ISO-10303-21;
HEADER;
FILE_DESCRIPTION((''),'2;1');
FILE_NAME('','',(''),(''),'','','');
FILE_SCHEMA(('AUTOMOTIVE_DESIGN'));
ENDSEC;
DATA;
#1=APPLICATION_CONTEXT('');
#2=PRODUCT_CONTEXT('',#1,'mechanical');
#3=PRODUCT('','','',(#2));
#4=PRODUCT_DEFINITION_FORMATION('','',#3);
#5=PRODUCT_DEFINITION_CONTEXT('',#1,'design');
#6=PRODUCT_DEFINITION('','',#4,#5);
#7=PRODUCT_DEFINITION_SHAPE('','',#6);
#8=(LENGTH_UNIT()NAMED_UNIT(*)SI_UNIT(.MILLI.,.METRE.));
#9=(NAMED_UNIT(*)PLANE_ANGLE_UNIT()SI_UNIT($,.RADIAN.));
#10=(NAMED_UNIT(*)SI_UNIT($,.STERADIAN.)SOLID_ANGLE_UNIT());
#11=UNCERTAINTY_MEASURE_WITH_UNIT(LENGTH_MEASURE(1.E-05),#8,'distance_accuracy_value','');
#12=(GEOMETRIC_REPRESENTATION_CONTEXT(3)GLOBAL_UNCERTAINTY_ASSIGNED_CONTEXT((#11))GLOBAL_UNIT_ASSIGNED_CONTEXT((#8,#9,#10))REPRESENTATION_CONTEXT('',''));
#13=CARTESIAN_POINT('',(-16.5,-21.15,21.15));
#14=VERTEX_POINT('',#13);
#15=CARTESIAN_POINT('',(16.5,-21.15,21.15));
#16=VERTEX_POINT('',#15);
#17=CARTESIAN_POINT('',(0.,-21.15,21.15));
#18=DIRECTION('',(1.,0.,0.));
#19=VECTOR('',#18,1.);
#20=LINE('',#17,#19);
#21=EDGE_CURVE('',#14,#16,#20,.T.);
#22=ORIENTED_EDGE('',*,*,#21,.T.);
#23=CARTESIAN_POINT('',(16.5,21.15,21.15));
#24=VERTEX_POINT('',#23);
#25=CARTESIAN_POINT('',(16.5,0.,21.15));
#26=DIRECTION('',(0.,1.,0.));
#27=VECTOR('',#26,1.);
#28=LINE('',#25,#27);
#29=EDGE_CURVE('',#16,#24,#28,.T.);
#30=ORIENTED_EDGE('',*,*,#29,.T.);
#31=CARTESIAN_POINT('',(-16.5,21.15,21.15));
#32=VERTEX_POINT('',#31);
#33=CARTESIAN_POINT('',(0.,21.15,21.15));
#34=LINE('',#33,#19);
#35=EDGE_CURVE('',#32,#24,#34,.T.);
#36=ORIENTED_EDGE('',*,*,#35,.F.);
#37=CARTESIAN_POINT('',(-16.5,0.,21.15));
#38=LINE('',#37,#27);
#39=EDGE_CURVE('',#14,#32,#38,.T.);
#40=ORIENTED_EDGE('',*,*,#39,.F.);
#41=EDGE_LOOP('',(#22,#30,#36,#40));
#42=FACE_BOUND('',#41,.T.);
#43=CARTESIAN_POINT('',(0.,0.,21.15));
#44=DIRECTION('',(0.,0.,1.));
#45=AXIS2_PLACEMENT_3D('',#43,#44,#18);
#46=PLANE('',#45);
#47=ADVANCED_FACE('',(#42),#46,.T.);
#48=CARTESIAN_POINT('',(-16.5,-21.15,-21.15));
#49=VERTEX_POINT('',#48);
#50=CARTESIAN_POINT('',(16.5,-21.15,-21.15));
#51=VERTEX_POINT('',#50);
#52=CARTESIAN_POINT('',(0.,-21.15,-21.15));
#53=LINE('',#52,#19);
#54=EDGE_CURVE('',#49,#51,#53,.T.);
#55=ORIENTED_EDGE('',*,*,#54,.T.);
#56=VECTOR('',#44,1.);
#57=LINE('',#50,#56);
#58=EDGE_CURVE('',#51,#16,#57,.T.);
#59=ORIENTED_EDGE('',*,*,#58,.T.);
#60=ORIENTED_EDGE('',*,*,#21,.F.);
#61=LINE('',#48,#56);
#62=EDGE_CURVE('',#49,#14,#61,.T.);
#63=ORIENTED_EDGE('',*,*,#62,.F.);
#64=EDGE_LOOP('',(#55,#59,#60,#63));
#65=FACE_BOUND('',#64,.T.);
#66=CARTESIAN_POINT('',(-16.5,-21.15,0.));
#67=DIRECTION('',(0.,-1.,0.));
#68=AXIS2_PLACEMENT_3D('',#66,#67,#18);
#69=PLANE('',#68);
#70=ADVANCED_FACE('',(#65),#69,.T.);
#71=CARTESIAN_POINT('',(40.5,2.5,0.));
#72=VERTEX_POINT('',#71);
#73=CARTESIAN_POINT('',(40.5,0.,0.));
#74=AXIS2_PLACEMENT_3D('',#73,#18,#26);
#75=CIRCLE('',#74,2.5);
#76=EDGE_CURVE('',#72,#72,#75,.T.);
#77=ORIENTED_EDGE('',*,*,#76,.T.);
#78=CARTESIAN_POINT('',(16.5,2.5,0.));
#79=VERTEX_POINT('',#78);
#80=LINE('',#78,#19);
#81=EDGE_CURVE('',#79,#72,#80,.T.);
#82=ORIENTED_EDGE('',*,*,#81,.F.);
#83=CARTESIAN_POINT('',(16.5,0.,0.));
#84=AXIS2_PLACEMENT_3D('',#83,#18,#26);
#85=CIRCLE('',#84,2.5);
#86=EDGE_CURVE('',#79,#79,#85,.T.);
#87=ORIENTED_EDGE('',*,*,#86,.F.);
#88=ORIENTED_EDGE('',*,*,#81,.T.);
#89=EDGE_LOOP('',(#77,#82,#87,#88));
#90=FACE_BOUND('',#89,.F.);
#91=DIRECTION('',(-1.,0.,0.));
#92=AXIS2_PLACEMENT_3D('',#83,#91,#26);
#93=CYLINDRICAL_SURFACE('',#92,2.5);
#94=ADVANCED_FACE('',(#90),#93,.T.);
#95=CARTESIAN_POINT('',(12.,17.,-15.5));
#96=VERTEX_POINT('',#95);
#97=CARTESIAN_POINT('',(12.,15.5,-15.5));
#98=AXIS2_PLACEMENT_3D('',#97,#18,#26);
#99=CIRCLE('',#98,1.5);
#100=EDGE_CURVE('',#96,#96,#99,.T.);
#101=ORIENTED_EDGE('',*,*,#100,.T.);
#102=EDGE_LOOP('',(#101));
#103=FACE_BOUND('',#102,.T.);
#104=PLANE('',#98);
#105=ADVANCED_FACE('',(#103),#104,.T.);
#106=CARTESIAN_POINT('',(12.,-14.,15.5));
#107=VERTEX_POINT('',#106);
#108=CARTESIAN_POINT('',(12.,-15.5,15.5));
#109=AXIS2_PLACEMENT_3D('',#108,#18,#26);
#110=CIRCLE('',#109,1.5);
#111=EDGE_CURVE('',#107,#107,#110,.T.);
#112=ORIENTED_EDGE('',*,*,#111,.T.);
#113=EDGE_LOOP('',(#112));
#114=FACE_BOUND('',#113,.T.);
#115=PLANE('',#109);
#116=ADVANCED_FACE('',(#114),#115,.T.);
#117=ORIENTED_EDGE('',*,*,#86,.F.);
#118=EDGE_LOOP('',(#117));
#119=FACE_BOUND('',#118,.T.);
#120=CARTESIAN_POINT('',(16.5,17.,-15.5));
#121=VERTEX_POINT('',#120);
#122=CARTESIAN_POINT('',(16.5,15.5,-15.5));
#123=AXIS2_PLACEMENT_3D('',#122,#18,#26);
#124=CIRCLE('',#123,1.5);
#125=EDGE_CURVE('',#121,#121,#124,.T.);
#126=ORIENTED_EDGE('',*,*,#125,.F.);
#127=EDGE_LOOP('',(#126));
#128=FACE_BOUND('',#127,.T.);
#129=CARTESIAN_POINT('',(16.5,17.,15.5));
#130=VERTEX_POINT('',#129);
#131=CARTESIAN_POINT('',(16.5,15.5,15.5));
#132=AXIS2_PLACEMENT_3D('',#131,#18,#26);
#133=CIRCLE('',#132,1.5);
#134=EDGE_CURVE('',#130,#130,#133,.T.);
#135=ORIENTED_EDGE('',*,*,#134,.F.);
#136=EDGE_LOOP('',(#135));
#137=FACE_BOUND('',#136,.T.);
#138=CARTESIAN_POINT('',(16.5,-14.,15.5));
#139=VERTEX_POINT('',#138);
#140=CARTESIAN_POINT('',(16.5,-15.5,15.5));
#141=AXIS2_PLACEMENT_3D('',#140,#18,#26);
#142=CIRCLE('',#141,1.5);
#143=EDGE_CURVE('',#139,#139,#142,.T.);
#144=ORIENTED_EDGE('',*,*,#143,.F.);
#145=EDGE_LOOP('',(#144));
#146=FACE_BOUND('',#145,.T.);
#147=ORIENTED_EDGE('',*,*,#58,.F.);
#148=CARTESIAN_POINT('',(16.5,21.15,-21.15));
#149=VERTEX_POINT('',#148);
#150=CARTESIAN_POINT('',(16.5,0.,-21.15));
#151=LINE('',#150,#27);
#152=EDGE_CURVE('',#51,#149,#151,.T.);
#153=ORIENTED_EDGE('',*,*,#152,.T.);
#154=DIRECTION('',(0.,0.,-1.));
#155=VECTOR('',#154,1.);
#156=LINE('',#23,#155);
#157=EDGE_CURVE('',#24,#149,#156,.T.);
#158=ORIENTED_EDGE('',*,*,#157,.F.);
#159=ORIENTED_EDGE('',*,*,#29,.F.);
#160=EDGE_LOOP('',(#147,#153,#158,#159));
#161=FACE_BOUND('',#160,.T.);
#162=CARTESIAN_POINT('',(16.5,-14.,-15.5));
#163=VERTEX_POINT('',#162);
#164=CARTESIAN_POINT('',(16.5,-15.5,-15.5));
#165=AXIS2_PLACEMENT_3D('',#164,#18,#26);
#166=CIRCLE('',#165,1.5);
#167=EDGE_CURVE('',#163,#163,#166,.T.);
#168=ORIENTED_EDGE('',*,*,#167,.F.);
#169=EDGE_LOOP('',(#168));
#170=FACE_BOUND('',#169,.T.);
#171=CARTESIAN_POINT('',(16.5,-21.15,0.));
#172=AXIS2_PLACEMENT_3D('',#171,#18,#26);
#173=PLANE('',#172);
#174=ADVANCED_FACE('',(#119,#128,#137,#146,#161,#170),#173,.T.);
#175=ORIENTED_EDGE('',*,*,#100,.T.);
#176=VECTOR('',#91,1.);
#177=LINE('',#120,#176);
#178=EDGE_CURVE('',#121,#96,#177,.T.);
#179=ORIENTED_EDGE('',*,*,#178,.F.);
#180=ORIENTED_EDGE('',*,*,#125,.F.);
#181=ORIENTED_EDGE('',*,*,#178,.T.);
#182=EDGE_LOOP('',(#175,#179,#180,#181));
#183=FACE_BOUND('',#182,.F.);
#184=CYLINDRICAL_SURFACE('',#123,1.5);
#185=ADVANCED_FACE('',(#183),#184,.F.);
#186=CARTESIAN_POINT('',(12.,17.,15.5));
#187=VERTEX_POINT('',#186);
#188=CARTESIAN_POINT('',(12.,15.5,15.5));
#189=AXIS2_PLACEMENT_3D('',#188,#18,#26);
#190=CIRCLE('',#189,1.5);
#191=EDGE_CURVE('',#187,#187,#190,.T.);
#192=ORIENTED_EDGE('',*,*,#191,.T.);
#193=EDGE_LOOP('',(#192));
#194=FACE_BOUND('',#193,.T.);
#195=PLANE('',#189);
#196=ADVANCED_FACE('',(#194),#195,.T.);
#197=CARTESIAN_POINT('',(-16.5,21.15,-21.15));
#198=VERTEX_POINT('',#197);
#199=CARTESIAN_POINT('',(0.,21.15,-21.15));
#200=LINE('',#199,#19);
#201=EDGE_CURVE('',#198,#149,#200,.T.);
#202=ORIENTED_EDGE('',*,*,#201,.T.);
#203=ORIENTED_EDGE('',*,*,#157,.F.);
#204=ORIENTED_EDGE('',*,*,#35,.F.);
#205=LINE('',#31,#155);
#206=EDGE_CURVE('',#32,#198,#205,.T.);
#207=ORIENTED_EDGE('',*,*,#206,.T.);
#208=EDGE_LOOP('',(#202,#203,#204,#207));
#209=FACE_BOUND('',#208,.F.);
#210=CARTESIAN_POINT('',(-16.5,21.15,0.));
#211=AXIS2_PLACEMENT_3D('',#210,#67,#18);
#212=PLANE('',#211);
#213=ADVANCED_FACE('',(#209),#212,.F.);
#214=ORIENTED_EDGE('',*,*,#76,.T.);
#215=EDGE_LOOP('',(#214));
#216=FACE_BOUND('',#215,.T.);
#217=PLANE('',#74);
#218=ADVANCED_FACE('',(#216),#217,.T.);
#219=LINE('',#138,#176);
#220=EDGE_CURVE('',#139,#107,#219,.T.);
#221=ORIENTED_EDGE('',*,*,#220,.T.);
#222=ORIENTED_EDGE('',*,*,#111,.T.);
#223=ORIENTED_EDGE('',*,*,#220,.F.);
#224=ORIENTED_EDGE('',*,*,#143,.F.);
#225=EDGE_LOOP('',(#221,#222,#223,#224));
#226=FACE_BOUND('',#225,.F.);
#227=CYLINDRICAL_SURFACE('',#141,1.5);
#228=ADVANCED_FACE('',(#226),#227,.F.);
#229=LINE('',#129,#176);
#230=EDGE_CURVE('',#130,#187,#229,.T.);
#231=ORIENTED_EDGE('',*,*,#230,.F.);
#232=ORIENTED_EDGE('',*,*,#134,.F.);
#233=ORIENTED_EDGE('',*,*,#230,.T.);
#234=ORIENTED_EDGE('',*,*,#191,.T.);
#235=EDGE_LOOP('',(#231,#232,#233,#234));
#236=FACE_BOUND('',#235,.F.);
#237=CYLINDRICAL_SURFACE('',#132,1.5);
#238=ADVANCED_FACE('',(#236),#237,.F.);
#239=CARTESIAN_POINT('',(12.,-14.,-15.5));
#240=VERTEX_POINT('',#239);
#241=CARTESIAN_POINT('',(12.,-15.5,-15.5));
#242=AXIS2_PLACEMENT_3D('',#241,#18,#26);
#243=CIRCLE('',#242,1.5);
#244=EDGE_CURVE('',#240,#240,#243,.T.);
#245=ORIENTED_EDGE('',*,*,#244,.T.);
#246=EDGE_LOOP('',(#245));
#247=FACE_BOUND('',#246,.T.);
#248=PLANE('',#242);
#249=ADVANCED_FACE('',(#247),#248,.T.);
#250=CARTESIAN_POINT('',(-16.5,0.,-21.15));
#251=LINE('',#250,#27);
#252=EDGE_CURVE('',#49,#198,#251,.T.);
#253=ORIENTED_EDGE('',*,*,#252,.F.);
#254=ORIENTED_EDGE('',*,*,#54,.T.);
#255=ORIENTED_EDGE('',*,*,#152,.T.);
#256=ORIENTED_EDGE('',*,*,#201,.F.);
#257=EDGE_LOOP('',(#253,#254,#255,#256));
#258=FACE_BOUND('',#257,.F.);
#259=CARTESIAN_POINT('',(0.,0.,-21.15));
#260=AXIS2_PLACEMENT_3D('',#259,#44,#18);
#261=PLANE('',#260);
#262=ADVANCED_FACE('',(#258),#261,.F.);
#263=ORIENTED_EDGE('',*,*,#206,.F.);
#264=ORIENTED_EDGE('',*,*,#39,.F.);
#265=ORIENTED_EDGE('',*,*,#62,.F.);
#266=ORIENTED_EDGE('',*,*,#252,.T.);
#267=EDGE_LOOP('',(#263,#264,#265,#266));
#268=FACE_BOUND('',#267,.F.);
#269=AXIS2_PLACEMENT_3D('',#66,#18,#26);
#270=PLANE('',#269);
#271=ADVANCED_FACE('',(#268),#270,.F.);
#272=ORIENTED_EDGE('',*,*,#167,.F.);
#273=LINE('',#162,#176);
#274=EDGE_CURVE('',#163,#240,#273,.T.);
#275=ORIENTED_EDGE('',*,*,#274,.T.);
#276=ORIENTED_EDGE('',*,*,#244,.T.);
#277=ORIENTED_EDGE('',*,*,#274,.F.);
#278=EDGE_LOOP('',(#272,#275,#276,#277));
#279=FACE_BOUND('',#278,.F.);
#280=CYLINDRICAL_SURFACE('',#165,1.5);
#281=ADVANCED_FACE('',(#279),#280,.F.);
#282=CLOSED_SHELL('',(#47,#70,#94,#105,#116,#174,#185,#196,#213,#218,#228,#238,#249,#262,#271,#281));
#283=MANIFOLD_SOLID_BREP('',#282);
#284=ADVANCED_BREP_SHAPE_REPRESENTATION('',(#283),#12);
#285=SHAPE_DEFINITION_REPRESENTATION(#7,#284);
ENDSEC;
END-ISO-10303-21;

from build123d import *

# Parameters (mm, degrees)
SKETCH_W     = 33
SKETCH_H     = 42.3
PAD_DEPTH    = 21.15
SKETCH001_R  = 2.5
PAD001_DEPTH = 24
SKETCH002_R  = 1.5
POCKET_DEPTH = 4.5


with BuildPart() as part:
    # Sketch → Pad (new body, symmetric)
    with BuildSketch(Plane.XY):
        Rectangle(SKETCH_W, SKETCH_H)
    extrude(amount=PAD_DEPTH, both=True)

    # Sketch001 (on Face1 of Pad) → Pad001 (join)
    with BuildSketch(Plane.YZ.offset(16.5)):
        Circle(SKETCH001_R)
    extrude(amount=PAD001_DEPTH)

    # Sketch002 (on Face1 of Pad001) → Pocket (cut)
    with BuildSketch(Plane.YZ.offset(16.5)):
        with Locations((-15.5, 15.5)):
            Circle(SKETCH002_R)
        with Locations((15.5, 15.5)):
            Circle(SKETCH002_R)
        with Locations((15.5, -15.5)):
            Circle(SKETCH002_R)
        with Locations((-15.5, -15.5)):
            Circle(SKETCH002_R)
    extrude(amount=-POCKET_DEPTH, mode=Mode.SUBTRACT)


solid = part.part
